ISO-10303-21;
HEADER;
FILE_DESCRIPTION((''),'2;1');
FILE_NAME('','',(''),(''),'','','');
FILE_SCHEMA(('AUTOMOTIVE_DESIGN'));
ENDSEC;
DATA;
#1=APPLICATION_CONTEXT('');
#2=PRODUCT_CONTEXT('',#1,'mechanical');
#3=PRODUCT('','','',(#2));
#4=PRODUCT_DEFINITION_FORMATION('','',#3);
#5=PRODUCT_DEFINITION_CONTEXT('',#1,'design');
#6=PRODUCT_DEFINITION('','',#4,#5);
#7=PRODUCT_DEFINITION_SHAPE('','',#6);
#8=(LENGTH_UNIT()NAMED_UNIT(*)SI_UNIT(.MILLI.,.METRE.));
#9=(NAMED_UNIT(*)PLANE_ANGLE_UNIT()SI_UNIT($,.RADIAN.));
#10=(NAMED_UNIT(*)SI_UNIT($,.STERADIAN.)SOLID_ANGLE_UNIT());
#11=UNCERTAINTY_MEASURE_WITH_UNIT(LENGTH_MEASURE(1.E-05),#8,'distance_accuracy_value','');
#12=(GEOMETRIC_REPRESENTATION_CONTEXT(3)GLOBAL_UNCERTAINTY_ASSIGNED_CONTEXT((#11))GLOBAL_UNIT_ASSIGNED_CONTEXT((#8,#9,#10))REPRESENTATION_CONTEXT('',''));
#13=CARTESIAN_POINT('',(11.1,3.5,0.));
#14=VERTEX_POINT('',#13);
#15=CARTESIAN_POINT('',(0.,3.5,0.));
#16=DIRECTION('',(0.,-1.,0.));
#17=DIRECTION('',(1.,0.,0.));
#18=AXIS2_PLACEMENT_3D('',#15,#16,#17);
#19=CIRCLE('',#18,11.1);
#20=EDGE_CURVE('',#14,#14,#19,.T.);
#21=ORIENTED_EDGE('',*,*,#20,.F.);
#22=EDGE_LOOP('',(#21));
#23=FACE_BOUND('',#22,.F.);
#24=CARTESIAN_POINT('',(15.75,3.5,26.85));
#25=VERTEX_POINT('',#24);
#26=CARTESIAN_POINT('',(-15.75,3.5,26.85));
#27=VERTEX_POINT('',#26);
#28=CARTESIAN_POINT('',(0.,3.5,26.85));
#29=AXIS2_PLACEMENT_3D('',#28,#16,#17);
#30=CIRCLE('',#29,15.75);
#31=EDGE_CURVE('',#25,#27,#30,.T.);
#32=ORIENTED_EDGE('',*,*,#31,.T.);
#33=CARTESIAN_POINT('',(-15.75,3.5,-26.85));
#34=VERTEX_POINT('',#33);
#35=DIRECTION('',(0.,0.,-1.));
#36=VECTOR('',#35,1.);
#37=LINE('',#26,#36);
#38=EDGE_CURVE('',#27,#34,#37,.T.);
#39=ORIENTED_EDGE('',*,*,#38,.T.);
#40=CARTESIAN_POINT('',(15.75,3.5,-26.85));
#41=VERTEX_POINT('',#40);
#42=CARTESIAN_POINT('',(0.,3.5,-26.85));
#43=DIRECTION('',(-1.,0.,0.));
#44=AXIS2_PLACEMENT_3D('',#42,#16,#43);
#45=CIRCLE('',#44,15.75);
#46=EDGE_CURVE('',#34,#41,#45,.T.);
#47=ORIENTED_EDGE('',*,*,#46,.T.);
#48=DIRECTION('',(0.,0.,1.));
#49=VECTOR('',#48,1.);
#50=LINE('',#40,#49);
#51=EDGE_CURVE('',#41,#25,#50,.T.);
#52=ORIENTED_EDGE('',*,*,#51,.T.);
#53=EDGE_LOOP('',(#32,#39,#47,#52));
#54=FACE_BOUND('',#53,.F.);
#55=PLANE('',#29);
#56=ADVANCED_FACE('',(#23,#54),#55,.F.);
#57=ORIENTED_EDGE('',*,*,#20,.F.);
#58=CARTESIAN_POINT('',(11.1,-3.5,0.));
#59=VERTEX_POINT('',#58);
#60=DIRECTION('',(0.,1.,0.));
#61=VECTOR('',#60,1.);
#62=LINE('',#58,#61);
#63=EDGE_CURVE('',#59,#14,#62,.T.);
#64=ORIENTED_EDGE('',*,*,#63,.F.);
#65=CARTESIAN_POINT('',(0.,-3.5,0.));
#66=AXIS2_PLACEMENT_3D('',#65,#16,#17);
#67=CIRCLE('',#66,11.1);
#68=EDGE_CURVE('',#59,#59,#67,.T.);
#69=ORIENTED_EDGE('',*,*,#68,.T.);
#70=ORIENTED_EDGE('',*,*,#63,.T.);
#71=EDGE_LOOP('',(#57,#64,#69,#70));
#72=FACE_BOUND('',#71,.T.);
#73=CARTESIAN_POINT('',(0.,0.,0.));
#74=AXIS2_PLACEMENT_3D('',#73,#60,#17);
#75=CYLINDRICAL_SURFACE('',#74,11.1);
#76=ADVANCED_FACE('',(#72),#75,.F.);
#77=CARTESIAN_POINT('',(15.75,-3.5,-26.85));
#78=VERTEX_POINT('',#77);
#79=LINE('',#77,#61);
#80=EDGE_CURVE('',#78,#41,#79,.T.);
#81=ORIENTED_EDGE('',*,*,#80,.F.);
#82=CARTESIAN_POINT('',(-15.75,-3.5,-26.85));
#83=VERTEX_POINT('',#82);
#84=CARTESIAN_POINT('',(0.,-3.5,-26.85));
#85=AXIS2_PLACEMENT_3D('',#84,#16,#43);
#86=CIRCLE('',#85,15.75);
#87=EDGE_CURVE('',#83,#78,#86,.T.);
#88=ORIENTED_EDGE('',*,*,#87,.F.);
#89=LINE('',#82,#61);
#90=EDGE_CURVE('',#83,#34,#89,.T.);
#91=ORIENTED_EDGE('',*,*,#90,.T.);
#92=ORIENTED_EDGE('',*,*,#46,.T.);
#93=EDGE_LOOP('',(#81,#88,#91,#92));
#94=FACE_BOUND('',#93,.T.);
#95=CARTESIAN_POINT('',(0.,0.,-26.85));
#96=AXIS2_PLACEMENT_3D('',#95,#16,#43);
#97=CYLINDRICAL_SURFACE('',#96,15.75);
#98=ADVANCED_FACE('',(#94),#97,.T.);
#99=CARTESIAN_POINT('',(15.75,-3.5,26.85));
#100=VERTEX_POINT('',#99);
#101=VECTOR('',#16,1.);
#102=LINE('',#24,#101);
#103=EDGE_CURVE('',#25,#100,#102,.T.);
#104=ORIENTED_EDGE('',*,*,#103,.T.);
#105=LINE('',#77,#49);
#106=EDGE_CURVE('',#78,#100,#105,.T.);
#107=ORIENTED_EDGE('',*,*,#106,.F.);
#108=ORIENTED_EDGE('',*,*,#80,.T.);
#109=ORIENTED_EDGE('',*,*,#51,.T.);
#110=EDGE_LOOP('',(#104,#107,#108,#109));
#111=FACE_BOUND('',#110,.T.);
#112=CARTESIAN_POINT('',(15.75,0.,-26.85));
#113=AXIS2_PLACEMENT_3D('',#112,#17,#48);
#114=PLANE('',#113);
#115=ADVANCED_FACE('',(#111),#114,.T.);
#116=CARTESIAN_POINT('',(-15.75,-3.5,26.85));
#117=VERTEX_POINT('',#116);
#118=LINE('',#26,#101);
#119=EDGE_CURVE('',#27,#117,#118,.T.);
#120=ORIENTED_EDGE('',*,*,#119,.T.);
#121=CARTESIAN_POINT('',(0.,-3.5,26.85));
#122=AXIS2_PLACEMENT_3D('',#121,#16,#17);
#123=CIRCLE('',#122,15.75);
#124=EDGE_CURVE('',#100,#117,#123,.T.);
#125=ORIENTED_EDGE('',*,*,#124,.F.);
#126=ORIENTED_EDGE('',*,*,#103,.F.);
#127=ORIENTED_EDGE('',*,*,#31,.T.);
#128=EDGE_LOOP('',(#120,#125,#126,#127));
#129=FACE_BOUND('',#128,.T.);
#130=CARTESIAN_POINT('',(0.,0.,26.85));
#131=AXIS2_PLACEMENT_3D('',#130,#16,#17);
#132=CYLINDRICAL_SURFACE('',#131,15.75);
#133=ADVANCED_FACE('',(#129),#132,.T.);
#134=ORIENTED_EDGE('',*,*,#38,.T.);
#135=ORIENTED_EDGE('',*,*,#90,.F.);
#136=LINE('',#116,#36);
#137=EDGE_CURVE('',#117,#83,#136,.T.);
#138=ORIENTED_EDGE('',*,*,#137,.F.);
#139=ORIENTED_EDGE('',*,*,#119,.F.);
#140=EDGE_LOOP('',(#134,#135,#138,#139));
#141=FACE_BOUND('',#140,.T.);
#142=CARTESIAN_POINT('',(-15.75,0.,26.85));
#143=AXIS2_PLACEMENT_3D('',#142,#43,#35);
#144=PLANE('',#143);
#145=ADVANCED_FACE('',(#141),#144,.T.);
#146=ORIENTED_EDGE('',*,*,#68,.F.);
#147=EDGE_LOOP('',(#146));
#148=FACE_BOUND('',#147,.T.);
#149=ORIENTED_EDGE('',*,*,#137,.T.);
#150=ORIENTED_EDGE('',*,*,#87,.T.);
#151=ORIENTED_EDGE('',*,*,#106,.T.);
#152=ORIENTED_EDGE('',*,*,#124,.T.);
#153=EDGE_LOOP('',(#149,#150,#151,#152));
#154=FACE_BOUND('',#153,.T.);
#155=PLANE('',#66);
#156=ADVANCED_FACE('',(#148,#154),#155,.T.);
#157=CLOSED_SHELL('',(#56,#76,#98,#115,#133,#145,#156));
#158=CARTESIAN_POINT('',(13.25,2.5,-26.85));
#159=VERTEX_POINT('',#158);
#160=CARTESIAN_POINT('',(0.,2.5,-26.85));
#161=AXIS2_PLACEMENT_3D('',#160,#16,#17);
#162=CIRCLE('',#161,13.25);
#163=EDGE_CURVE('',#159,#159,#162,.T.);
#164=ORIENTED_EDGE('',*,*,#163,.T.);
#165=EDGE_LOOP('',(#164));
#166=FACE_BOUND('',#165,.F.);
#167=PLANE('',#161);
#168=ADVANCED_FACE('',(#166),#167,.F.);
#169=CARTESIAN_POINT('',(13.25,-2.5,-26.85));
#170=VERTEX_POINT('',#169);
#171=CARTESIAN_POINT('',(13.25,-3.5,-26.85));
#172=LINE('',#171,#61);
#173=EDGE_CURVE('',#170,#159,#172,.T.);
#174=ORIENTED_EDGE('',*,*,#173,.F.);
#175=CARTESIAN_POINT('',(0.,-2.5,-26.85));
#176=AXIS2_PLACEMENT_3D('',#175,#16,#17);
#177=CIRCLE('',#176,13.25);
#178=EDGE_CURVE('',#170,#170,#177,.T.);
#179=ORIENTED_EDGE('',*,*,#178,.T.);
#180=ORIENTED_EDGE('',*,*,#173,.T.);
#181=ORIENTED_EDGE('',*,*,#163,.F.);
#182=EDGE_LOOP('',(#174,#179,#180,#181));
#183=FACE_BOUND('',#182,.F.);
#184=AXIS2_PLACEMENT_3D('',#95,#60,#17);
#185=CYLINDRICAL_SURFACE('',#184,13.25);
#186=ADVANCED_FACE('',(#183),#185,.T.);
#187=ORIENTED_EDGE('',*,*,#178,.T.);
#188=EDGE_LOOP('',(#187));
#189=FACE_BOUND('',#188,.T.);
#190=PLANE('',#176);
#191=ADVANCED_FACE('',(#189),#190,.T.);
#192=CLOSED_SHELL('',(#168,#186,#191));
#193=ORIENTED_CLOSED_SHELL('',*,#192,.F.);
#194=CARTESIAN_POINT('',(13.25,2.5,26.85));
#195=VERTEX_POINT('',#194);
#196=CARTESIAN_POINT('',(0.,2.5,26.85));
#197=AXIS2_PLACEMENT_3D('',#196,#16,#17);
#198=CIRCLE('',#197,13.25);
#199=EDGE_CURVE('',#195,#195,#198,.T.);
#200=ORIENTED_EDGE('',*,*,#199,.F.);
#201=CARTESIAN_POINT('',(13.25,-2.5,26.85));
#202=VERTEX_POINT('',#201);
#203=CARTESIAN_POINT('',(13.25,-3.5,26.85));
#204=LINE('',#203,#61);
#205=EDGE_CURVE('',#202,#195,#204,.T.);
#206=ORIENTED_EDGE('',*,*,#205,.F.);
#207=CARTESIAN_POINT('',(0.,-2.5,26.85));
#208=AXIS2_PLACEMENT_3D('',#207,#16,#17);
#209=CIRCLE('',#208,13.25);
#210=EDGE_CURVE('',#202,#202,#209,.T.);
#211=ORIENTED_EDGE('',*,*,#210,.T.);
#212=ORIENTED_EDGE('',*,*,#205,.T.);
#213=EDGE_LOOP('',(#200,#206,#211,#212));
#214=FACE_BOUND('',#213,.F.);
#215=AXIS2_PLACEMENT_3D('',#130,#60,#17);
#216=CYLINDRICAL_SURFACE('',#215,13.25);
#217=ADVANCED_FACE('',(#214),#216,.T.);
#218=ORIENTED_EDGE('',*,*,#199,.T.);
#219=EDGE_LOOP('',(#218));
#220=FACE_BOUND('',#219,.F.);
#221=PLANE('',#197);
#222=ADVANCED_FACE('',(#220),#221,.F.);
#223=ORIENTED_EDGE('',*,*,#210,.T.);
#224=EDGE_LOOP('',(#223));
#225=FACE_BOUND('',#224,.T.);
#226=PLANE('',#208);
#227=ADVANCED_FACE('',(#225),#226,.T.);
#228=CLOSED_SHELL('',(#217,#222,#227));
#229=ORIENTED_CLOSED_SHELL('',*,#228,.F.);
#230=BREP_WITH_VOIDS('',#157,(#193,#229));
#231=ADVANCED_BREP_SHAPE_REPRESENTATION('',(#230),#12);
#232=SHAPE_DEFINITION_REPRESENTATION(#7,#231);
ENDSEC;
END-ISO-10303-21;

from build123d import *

# Parameters (mm, degrees)
F0_R     = 13.25
F0_R_2   = 11.1
F1_DEPTH = 3.5
F2_START = 2.5
F2_DEPTH = 1
F3_START = -2.5
F3_DEPTH = 1


with BuildPart() as f1:
    # F0 (on Front) → F1 (new body, symmetric)
    with BuildSketch(Plane.XZ):
        with BuildLine():
            Line((15.75, -26.85), (15.75, 26.85))
            ThreePointArc((15.75, 26.85), (0, 42.6), (-15.75, 26.85))
            Line((-15.75, 26.85), (-15.75, -26.85))
            ThreePointArc((-15.75, -26.85), (0, -42.6), (15.75, -26.85))
        make_face()
        with Locations((0, -26.85)):
            Circle(F0_R, mode=Mode.SUBTRACT)
        Circle(F0_R_2, mode=Mode.SUBTRACT)
        with Locations((0, 26.85)):
            Circle(F0_R, mode=Mode.SUBTRACT)
    extrude(amount=F1_DEPTH, both=True)

    # F0 (on Front) → F2 (join)
    with BuildSketch(Plane.XZ.offset(F2_START)):
        with Locations((0, 26.85)):
            Circle(F0_R)
        with Locations((0, -26.85)):
            Circle(F0_R)
    extrude(amount=F2_DEPTH)

    # F0 (on Front) → F3 (join)
    with BuildSketch(Plane.XZ.offset(F3_START)):
        with Locations((0, 26.85)):
            Circle(F0_R)
        with Locations((0, -26.85)):
            Circle(F0_R)
    extrude(amount=-F3_DEPTH)


solid = f1.part
